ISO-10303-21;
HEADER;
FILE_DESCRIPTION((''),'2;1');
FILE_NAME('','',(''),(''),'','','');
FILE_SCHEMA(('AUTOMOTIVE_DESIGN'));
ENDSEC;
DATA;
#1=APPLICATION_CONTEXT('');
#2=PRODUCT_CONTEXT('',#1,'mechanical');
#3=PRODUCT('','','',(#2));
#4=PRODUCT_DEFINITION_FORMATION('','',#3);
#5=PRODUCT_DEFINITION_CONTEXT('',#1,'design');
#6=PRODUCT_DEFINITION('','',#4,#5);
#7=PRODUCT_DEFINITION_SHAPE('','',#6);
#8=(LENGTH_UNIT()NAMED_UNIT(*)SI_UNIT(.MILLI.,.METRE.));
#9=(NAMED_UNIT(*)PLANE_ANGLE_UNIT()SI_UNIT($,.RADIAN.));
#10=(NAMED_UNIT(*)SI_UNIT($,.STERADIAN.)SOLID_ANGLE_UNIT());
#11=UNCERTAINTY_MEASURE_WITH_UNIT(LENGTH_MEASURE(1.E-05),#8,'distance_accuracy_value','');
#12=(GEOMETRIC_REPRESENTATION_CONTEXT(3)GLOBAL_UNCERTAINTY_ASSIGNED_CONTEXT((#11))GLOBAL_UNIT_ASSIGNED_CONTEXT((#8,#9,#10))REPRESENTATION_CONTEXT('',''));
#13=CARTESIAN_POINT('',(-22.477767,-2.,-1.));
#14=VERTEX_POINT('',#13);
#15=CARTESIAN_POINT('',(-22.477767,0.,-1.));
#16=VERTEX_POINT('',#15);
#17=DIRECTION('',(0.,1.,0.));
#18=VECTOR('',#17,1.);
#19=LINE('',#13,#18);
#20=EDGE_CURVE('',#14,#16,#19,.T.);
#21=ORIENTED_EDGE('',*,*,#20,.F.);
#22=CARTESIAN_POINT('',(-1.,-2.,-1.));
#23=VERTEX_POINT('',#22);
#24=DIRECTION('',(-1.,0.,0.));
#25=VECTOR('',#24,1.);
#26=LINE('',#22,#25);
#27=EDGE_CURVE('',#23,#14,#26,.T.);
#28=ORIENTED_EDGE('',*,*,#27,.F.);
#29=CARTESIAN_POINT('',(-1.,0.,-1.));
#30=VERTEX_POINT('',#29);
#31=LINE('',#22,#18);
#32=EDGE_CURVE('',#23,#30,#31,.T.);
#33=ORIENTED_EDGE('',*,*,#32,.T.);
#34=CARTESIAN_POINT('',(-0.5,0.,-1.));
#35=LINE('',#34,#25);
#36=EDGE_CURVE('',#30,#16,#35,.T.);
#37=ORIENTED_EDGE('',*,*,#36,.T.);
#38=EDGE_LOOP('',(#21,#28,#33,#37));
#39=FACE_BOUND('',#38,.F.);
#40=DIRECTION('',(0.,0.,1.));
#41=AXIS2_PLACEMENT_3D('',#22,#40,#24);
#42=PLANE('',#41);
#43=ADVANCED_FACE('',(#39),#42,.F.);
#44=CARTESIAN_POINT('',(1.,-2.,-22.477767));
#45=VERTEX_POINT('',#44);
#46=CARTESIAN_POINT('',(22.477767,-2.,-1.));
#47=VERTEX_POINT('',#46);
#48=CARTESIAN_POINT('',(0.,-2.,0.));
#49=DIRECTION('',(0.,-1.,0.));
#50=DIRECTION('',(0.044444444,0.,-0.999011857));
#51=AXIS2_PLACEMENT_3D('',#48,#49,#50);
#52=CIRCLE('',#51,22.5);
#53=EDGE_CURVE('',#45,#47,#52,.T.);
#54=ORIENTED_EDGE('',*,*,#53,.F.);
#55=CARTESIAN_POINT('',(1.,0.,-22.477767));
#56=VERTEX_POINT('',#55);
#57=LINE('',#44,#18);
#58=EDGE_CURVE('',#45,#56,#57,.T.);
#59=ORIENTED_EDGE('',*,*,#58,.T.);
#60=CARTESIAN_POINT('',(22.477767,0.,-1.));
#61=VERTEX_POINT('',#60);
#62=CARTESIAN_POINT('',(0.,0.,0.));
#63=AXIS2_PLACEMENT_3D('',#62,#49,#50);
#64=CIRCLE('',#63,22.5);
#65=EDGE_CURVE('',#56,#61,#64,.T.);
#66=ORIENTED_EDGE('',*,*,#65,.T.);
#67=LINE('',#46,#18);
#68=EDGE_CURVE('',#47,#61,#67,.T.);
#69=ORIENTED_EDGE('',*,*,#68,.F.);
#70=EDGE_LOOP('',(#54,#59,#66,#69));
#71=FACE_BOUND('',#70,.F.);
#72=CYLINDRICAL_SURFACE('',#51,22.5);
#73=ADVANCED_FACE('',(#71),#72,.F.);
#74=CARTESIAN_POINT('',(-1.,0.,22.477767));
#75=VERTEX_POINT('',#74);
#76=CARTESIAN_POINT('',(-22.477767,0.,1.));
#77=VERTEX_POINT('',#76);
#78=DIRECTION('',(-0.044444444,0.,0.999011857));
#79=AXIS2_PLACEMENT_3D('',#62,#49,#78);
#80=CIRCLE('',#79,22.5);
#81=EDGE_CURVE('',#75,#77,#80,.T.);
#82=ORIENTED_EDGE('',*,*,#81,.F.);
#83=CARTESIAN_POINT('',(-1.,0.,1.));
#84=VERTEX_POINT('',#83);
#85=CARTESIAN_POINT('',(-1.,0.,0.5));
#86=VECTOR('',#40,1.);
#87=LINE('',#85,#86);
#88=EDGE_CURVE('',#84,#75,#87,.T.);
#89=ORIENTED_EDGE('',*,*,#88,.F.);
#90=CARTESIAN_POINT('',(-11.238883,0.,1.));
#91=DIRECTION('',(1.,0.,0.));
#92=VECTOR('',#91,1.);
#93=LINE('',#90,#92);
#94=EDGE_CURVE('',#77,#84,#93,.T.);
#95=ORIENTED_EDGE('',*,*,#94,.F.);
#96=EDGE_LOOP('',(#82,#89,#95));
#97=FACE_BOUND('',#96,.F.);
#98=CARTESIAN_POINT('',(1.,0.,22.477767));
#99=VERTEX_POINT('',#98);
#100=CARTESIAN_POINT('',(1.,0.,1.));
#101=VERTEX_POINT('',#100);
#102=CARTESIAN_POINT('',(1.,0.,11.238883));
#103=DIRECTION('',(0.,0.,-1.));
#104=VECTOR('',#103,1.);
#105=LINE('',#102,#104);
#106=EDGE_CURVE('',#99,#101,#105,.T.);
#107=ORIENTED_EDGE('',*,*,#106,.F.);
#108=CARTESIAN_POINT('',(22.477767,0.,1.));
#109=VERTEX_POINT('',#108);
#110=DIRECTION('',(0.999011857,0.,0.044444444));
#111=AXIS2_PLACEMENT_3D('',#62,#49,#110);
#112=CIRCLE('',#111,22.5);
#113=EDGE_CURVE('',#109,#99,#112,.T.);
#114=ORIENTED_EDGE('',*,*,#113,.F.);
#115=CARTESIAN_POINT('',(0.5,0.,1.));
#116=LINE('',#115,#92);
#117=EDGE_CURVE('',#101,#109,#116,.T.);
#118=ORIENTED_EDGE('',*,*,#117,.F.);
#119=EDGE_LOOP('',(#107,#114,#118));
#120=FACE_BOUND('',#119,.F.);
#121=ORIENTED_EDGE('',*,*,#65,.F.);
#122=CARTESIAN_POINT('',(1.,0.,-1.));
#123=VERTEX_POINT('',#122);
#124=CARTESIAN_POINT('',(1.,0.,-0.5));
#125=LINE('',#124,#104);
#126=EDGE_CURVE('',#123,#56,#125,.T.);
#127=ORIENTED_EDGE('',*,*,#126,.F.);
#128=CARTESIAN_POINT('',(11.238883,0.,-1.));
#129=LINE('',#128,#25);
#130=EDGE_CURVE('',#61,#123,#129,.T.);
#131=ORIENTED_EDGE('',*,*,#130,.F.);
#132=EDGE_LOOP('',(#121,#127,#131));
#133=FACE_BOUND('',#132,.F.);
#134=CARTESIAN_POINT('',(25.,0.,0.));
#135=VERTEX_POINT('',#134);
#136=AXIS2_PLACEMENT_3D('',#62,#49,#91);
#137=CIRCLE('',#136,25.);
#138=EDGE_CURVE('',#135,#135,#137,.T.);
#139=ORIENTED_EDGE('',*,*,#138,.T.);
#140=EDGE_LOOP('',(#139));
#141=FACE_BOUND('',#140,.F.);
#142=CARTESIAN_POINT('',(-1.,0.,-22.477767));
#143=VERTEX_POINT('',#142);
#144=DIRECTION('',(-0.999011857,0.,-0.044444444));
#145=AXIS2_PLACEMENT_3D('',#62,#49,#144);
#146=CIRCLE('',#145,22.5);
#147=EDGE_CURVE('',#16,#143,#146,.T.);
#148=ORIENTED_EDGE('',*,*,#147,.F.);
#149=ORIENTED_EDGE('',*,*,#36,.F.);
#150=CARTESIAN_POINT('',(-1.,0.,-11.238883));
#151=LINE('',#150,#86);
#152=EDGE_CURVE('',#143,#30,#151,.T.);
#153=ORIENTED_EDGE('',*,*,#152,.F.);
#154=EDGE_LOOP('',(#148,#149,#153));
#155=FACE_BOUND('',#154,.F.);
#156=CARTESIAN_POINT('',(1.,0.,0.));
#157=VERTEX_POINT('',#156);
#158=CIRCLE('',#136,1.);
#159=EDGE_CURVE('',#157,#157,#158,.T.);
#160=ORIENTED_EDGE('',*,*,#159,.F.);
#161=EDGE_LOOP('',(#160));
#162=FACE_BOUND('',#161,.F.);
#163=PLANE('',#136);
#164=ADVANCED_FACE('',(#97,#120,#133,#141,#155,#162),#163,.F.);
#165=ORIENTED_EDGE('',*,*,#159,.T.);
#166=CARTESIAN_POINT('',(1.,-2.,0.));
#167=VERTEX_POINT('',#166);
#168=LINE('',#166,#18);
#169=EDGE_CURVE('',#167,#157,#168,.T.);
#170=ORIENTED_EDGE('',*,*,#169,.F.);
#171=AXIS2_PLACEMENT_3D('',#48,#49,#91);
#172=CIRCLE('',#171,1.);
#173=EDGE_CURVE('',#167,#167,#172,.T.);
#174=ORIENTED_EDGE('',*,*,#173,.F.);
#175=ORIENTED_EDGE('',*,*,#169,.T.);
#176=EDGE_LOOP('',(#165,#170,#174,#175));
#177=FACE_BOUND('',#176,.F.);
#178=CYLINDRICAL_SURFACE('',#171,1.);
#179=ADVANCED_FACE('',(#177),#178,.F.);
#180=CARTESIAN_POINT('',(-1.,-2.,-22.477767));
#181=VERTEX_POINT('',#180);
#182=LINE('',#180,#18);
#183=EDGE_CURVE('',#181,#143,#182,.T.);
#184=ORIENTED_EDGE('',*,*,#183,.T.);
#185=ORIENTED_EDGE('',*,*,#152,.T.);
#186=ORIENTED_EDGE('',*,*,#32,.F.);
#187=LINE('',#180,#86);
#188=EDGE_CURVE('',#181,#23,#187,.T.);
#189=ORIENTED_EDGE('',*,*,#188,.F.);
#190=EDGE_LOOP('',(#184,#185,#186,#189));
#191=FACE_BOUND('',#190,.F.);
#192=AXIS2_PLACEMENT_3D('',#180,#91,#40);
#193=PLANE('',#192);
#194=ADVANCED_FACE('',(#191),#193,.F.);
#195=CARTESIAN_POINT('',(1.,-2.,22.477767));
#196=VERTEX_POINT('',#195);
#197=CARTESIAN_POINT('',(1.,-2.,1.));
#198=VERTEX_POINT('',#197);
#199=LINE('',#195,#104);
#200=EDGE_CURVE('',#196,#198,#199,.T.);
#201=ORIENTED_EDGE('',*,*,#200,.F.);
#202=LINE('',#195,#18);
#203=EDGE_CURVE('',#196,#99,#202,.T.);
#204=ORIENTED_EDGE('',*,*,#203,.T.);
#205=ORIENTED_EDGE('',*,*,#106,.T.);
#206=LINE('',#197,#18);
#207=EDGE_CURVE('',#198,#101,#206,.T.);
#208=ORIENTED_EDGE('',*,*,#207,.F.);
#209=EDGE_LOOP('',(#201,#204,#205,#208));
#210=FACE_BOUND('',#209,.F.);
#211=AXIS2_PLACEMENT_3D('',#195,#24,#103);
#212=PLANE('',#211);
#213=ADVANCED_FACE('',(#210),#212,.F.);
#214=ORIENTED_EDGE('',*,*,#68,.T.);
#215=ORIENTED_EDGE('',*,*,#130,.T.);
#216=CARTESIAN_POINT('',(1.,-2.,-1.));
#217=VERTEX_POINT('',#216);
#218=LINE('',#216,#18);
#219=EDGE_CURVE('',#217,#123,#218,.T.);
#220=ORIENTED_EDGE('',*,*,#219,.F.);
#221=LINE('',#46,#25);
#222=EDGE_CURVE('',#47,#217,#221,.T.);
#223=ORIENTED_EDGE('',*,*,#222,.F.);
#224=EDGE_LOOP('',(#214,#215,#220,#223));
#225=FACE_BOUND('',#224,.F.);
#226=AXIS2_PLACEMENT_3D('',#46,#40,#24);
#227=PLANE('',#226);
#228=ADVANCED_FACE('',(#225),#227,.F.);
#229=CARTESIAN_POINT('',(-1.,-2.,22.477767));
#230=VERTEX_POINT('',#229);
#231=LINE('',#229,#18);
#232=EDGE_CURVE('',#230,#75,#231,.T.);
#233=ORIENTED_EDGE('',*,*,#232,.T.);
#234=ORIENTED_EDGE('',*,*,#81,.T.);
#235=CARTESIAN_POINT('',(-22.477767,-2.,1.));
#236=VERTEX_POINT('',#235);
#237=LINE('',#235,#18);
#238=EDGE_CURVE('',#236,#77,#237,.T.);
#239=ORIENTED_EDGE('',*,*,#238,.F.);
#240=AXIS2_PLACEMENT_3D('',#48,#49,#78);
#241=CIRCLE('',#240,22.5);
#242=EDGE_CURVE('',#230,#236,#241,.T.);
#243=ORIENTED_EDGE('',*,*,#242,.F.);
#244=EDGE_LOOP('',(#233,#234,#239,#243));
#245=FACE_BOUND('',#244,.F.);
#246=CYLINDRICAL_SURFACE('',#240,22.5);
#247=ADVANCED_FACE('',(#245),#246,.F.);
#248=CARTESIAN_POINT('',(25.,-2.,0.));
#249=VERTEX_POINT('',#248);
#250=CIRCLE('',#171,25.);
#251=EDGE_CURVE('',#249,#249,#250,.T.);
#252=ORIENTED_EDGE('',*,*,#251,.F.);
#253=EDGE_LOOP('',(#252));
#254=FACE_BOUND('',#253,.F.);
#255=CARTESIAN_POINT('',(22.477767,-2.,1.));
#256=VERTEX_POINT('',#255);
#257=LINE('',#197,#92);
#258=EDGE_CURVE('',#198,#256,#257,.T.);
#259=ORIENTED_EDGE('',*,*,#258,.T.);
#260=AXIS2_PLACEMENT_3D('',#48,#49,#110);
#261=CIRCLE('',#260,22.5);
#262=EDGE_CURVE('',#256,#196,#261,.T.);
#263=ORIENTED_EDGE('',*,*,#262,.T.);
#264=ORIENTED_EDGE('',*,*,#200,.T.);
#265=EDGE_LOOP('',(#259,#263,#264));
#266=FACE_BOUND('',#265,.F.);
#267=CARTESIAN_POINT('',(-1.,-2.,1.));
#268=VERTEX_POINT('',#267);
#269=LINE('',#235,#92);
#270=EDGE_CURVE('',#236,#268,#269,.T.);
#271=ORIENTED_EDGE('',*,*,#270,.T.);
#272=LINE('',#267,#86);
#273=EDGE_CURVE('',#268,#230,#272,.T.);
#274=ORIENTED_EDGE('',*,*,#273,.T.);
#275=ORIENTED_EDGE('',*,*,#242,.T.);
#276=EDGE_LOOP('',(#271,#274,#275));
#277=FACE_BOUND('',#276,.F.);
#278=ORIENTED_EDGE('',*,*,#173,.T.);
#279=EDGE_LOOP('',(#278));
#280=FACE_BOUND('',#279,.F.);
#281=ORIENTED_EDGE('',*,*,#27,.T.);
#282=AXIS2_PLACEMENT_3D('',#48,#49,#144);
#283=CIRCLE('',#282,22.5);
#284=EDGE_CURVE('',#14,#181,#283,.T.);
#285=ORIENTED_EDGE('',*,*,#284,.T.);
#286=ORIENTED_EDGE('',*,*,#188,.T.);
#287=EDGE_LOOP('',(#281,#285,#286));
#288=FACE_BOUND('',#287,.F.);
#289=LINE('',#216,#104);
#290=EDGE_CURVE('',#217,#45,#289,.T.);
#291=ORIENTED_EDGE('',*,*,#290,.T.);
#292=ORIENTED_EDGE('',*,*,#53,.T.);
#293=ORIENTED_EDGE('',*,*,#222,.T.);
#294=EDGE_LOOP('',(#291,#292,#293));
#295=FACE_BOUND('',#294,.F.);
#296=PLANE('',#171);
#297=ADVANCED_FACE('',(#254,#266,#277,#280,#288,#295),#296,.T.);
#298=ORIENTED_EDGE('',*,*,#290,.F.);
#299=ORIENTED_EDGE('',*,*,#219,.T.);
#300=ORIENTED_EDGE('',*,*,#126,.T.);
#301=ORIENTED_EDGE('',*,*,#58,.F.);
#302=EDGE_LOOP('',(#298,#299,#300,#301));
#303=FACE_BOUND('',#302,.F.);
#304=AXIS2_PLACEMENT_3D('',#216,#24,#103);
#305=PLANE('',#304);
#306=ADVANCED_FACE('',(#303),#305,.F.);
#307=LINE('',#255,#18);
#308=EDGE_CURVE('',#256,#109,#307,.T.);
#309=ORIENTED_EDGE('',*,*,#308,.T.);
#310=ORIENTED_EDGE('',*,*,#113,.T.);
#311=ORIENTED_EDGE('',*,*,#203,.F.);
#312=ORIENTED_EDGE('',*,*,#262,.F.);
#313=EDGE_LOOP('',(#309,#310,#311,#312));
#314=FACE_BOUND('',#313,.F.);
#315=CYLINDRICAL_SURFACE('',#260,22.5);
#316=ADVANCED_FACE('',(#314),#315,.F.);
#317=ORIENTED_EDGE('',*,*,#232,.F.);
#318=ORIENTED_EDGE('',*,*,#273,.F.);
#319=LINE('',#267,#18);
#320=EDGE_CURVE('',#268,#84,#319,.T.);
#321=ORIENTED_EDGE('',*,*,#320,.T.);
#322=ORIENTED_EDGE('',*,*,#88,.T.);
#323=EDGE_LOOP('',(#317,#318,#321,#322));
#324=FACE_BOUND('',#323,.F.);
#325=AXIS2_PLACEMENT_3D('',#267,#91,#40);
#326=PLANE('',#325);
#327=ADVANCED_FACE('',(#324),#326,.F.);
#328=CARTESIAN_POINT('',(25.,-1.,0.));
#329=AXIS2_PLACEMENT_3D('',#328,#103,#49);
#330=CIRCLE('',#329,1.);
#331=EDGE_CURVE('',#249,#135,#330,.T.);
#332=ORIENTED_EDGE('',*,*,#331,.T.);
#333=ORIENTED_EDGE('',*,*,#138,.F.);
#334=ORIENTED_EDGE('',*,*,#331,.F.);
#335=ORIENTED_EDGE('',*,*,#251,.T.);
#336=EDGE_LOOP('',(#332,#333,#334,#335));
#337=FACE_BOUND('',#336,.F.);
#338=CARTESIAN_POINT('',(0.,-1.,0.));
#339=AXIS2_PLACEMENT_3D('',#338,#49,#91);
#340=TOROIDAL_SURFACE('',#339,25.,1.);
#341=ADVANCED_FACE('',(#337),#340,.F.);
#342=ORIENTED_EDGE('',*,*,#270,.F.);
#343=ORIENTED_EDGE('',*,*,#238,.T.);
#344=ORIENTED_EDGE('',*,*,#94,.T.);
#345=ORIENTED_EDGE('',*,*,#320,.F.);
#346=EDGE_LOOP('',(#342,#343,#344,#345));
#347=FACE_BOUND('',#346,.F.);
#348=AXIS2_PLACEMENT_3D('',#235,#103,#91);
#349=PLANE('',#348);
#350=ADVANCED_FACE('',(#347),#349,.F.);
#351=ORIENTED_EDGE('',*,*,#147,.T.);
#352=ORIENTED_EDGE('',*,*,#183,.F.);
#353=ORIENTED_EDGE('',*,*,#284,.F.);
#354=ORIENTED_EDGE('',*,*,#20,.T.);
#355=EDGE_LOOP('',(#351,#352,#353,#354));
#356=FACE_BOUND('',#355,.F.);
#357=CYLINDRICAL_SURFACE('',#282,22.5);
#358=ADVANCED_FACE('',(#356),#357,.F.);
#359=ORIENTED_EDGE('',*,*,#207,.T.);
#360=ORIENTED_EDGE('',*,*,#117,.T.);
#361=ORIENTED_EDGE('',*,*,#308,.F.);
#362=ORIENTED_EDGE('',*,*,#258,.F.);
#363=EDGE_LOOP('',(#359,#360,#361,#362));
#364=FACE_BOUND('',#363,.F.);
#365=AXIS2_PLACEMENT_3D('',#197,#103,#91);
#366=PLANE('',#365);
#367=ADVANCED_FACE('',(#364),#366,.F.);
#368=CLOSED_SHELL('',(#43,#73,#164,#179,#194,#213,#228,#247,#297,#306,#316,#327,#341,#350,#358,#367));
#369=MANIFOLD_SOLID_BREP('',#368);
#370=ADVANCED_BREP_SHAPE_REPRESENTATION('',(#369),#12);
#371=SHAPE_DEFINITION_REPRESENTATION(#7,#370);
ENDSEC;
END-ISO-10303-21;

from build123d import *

# Parameters (mm, degrees)
F2_R     = 1
F3_DEPTH = 25
F5_DEPTH = 25


with BuildPart() as f1:
    # F0 (on Top) → F1 (revolve)
    with BuildSketch(Plane.XY):
        with BuildLine():
            Line((25, 0), (0, 0))
            Line((0, 0), (0, -2))
            Line((0, -2), (25, -2))
            ThreePointArc((25, -2), (24, -1), (25, 0))
        make_face()
    revolve(axis=Axis((0, -1, 0), (0, -1, 0)))

    # F2 (on face) → F3 (cut)
    with BuildSketch(Plane.XZ.offset(2)):
        Circle(F2_R)
    extrude(amount=-F3_DEPTH, mode=Mode.SUBTRACT)

    # F4 (on face) → F5 (cut)
    with BuildSketch(Plane.XZ.offset(2)):
        with BuildLine():
            Line((-1, 1), (-1, 22.477766793))
            ThreePointArc((-1, 22.477766793), (-15.9099025767, 15.9099025767), (-22.477766793, 1))
            Line((-22.477766793, 1), (-1, 1))
        make_face()
        with BuildLine():
            ThreePointArc((-22.477766793, -1), (-15.9099025767, -15.9099025767), (-1, -22.477766793))
            Line((-1, -22.477766793), (-1, -1))
            Line((-1, -1), (-22.477766793, -1))
        make_face()
        with BuildLine():
            ThreePointArc((1, -22.477766793), (15.9099025767, -15.9099025767), (22.477766793, -1))
            Line((22.477766793, -1), (1, -1))
            Line((1, -1), (1, -22.477766793))
        make_face()
        with BuildLine():
            Line((1, 1), (22.477766793, 1))
            ThreePointArc((22.477766793, 1), (15.9099025767, 15.9099025767), (1, 22.477766793))
            Line((1, 22.477766793), (1, 1))
        make_face()
    extrude(amount=-F5_DEPTH, mode=Mode.SUBTRACT)


solid = f1.part
